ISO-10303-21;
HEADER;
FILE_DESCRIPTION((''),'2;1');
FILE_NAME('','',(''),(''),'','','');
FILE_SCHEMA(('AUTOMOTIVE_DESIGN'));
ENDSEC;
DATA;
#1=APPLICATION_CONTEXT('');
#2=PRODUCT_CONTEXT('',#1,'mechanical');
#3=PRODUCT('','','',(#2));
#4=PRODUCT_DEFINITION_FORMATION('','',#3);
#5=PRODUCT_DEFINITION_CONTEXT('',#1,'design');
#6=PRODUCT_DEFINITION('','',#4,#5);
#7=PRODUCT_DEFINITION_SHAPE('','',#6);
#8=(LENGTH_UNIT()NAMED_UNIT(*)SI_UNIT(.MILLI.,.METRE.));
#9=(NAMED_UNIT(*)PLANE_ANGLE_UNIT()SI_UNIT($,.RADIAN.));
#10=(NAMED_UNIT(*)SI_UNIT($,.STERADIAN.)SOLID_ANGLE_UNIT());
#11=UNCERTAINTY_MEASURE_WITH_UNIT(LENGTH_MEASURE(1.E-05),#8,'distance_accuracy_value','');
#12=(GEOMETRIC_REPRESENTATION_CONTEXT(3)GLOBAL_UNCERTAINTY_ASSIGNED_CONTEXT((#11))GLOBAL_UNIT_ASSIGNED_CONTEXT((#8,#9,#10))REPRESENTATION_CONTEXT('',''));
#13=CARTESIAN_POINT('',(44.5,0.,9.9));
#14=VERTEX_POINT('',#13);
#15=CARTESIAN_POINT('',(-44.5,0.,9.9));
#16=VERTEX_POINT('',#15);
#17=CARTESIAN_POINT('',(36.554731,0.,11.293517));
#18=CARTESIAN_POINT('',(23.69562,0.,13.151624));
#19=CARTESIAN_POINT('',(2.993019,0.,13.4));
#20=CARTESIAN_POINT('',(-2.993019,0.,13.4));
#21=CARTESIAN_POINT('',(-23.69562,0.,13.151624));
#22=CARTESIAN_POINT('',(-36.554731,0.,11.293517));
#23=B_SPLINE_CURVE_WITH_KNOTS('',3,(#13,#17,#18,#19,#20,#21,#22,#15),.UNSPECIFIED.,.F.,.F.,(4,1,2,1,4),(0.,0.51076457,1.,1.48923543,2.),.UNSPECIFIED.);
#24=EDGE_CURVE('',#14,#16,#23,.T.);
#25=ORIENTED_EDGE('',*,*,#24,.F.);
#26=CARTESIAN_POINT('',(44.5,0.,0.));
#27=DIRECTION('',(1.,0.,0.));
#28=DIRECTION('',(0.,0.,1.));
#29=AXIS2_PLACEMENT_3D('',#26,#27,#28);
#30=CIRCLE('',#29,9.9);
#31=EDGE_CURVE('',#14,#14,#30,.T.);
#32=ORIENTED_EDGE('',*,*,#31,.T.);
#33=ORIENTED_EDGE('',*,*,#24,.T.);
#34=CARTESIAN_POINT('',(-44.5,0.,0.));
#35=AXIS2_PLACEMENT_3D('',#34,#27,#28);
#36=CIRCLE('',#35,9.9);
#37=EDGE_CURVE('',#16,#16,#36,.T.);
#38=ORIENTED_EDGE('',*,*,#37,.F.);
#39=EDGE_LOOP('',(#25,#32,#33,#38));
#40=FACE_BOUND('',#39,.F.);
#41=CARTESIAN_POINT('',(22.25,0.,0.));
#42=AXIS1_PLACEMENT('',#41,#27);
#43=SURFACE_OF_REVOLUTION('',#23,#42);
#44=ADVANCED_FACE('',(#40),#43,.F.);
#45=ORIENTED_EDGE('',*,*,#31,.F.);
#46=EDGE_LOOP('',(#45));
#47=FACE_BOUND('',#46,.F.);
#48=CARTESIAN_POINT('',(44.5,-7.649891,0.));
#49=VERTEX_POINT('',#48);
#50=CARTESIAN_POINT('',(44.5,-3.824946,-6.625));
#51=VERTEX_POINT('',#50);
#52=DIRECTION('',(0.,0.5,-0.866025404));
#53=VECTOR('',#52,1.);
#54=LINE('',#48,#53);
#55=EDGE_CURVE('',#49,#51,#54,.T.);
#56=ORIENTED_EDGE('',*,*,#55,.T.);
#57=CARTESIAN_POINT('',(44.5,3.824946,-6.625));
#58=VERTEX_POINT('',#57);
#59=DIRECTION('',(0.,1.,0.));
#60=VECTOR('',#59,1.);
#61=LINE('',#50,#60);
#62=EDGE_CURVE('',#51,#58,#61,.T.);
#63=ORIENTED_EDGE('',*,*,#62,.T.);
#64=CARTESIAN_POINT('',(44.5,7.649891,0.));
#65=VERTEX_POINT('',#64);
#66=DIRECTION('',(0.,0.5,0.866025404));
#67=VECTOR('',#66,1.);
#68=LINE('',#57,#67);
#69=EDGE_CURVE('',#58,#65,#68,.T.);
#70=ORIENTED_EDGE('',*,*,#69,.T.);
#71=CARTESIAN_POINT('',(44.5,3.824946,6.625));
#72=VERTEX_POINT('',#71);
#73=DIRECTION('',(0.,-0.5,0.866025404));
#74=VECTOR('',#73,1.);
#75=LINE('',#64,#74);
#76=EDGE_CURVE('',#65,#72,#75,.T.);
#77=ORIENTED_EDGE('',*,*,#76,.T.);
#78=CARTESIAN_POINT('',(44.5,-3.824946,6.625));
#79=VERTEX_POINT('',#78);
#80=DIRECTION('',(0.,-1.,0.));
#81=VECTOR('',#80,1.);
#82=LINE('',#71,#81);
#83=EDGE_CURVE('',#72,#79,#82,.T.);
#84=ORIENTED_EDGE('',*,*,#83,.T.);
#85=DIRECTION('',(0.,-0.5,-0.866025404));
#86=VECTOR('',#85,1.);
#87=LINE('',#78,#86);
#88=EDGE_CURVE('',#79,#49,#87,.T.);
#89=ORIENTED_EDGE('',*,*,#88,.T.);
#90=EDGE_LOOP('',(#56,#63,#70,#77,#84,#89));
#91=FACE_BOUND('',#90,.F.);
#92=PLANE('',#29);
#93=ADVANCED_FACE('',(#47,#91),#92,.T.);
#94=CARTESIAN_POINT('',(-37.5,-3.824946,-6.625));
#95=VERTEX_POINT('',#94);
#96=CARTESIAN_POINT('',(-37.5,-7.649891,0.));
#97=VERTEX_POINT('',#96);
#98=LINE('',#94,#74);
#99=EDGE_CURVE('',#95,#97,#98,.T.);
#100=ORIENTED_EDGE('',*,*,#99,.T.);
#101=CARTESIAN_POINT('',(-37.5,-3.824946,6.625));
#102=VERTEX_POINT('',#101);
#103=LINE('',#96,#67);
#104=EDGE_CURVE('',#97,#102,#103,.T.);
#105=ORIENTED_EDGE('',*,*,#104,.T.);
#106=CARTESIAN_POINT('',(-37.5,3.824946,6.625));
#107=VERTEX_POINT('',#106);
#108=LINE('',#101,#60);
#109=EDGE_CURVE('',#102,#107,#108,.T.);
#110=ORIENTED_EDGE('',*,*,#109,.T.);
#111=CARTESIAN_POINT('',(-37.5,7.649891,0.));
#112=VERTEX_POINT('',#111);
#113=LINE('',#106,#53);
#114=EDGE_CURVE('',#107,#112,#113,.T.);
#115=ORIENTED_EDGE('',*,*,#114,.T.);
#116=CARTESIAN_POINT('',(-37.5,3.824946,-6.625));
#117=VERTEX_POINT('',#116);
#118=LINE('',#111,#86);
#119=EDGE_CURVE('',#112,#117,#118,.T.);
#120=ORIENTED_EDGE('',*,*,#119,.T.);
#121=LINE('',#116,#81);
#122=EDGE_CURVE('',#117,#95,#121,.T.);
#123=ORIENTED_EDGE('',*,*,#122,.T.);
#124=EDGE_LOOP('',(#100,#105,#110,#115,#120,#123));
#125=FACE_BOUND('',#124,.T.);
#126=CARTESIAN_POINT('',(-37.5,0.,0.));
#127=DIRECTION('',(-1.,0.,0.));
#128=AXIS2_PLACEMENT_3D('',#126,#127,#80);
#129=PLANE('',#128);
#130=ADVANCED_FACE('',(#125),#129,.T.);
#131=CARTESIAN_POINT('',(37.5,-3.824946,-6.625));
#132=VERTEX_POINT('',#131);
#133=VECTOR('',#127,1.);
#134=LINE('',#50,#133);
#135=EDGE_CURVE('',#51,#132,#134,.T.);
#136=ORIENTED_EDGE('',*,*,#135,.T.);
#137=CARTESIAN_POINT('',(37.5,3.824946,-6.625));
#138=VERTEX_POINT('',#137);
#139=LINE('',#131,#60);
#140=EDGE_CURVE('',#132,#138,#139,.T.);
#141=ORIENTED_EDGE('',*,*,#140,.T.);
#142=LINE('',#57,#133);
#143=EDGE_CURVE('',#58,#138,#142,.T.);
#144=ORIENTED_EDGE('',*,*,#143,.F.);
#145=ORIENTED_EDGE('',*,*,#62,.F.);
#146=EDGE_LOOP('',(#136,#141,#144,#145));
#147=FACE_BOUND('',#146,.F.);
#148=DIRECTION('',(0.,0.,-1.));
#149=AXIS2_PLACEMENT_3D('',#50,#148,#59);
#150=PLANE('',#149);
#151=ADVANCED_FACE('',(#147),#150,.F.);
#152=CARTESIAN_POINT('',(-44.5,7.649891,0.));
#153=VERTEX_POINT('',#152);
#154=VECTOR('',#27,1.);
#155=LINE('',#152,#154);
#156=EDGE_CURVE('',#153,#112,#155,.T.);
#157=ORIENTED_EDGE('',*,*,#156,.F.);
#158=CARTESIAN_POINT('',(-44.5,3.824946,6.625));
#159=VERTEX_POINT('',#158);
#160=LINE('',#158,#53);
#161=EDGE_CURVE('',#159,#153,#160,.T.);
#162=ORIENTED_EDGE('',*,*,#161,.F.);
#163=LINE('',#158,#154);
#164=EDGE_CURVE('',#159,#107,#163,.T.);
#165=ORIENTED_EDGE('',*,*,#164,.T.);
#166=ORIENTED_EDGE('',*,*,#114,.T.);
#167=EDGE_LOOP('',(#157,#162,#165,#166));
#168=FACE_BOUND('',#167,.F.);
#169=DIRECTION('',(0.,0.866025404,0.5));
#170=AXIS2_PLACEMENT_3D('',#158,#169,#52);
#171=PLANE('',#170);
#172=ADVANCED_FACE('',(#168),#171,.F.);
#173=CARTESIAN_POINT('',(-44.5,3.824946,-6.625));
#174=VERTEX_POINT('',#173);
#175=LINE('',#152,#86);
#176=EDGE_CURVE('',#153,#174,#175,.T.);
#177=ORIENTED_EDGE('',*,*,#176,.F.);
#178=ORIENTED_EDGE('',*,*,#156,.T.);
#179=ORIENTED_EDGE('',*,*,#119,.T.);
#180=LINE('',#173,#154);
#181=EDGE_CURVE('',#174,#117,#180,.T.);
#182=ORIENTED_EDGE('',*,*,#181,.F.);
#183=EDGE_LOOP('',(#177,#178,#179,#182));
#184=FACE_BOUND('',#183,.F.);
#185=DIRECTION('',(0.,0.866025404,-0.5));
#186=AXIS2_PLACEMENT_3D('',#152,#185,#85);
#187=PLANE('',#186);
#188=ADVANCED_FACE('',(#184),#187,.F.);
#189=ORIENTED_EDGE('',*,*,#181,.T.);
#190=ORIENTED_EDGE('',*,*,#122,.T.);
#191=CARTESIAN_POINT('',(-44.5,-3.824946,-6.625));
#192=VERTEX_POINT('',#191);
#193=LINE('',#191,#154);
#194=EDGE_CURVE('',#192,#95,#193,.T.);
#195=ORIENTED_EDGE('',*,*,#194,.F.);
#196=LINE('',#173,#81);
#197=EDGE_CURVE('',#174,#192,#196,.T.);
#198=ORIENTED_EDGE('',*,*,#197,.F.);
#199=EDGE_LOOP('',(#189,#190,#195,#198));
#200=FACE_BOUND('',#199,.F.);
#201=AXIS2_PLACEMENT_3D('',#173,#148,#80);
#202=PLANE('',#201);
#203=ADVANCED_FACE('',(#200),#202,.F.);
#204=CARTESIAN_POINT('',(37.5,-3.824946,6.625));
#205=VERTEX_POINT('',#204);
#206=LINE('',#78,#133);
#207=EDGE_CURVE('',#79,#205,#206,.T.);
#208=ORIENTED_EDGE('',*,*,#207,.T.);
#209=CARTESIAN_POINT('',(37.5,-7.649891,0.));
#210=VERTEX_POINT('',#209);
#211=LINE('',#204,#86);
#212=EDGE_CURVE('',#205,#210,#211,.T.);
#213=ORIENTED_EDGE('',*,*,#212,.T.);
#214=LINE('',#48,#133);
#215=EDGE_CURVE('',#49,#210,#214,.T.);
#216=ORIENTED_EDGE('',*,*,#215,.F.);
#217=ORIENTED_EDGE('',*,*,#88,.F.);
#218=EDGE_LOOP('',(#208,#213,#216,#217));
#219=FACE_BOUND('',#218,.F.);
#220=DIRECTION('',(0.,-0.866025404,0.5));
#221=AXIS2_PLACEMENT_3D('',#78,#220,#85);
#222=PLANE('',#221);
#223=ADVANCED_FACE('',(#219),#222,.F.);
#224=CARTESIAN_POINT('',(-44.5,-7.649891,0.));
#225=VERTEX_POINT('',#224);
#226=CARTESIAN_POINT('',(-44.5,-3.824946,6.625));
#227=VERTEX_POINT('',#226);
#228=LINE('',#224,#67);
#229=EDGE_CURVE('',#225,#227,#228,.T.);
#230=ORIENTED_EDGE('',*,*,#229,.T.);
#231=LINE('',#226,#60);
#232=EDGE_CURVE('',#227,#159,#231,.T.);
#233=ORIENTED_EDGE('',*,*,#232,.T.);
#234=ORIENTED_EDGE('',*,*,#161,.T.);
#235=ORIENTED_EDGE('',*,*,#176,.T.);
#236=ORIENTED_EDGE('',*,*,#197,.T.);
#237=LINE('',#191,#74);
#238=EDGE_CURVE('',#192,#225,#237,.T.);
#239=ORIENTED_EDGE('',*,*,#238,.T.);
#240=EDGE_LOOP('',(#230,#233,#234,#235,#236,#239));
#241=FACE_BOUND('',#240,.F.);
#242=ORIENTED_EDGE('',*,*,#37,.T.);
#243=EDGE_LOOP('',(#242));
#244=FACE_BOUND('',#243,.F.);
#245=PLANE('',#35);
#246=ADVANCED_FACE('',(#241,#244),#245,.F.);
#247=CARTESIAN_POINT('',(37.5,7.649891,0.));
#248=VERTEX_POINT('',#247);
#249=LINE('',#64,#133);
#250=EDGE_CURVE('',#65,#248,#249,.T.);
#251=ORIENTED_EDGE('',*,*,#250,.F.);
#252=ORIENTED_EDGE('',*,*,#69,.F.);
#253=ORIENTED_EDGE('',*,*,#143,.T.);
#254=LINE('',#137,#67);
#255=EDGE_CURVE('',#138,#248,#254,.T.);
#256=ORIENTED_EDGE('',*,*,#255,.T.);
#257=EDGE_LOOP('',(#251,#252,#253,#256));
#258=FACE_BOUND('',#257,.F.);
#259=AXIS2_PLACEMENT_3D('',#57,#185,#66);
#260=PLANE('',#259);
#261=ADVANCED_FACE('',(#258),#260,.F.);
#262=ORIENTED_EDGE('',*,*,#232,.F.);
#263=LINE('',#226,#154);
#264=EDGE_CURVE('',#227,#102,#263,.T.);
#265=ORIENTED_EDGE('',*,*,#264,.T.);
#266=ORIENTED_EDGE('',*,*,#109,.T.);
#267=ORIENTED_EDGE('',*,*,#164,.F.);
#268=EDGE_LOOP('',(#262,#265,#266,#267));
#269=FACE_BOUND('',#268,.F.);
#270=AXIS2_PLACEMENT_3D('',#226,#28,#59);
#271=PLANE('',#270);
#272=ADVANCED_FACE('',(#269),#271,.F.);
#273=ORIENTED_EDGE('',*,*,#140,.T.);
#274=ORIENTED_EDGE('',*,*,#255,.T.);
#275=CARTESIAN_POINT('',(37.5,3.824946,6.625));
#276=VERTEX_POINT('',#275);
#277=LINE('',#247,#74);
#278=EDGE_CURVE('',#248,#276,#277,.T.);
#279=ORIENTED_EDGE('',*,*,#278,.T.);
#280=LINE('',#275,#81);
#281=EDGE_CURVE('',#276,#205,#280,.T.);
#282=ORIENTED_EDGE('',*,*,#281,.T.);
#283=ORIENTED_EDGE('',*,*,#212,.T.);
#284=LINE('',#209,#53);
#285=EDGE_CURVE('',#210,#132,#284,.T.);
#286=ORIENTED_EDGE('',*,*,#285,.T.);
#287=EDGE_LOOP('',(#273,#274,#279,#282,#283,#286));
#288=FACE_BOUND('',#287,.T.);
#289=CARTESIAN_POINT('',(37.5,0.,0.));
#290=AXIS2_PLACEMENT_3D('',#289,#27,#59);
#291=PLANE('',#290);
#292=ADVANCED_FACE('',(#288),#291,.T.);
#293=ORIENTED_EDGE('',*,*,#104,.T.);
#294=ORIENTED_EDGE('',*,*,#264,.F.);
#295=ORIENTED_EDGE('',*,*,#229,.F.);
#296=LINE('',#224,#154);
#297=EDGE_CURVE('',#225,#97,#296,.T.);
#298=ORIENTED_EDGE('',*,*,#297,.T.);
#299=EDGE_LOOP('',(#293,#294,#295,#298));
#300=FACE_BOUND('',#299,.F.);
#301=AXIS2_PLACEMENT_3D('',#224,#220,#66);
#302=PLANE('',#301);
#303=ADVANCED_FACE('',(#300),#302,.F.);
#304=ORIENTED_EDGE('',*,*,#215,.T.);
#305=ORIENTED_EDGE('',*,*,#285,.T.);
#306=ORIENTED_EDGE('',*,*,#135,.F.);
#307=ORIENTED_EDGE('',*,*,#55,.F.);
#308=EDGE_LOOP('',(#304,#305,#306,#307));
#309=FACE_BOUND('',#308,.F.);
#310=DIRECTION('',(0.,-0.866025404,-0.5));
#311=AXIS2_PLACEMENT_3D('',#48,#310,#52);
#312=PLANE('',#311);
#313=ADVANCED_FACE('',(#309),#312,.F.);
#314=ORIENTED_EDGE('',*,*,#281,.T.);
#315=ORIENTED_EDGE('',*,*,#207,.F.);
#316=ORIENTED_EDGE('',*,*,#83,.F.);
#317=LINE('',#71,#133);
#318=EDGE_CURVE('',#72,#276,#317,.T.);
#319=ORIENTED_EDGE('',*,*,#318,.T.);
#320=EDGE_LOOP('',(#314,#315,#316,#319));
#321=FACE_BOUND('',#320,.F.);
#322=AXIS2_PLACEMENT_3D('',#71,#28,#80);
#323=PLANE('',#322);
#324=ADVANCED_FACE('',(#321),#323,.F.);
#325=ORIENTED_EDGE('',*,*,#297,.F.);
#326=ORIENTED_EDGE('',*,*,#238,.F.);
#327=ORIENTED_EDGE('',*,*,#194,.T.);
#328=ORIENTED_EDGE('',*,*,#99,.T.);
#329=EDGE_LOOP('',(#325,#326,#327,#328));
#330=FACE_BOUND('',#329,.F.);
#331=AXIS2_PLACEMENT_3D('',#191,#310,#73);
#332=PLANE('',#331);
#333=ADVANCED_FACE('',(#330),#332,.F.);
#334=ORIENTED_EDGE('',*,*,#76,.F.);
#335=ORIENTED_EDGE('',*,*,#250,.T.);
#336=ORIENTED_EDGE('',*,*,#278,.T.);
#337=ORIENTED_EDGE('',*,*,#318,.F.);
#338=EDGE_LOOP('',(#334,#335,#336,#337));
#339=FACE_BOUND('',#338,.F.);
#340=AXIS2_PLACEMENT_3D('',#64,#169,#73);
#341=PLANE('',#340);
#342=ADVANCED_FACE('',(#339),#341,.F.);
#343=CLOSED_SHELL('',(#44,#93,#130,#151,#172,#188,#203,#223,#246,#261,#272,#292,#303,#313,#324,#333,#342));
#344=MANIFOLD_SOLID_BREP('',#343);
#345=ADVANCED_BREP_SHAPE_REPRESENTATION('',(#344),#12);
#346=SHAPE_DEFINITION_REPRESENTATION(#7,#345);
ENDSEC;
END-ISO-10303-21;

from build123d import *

# Parameters (mm, degrees)
F3_DEPTH = 7
F5_DEPTH = 7


with BuildPart() as f1:
    # F0 (on Front) → F1 (revolve)
    with BuildSketch(Plane.XZ):
        with BuildLine():
            Line((0, 13.4), (0, 0))
            Line((0, 0), (44.5, 0))
            Line((44.5, 0), (44.5, 9.9))
            add(Edge.make_bspline(
                [(0, 13.4), (2.9930189026, 13.4), (23.6956200801, 13.1516238506), (36.554730518, 11.2935173538), (44.5, 9.9)],
                knots=[0, 0, 0, 0, 0.48923543, 1, 1, 1, 1], degree=3))
        make_face()
        with BuildLine():
            Line((-44.5, 0), (0, 0))
            Line((0, 0), (0, 13.4))
            add(Edge.make_bspline(
                [(0, 13.4), (-2.9930189026, 13.4), (-23.6956200801, 13.1516238506), (-36.554730518, 11.2935173538), (-44.5, 9.9)],
                knots=[0, 0, 0, 0, 0.48923543, 1, 1, 1, 1], degree=3))
            Line((-44.5, 9.9), (-44.5, 0))
        make_face()
    revolve(axis=Axis((22.25, 0, 0), (1, 0, 0)))

    # F2 (on face) → F3 (cut)
    with BuildSketch(Plane(origin=(-44.5, 0, 0), x_dir=(0, -1, 0), z_dir=(-1, 0, 0))):
        Polygon((-3.8249455334, -6.625), (3.8249455334, -6.625), (7.6498910668, 0), (3.8249455334, 6.625), (-3.8249455334, 6.625), (-7.6498910668, 0), align=None)
    extrude(amount=-F3_DEPTH, mode=Mode.SUBTRACT)

    # F4 (on face) → F5 (cut)
    with BuildSketch(Plane.YZ.offset(44.5)):
        Polygon((-3.8249455334, -6.625), (3.8249455334, -6.625), (7.6498910668, 0), (3.8249455334, 6.625), (-3.8249455334, 6.625), (-7.6498910668, 0), align=None)
    extrude(amount=-F5_DEPTH, mode=Mode.SUBTRACT)


solid = f1.part
